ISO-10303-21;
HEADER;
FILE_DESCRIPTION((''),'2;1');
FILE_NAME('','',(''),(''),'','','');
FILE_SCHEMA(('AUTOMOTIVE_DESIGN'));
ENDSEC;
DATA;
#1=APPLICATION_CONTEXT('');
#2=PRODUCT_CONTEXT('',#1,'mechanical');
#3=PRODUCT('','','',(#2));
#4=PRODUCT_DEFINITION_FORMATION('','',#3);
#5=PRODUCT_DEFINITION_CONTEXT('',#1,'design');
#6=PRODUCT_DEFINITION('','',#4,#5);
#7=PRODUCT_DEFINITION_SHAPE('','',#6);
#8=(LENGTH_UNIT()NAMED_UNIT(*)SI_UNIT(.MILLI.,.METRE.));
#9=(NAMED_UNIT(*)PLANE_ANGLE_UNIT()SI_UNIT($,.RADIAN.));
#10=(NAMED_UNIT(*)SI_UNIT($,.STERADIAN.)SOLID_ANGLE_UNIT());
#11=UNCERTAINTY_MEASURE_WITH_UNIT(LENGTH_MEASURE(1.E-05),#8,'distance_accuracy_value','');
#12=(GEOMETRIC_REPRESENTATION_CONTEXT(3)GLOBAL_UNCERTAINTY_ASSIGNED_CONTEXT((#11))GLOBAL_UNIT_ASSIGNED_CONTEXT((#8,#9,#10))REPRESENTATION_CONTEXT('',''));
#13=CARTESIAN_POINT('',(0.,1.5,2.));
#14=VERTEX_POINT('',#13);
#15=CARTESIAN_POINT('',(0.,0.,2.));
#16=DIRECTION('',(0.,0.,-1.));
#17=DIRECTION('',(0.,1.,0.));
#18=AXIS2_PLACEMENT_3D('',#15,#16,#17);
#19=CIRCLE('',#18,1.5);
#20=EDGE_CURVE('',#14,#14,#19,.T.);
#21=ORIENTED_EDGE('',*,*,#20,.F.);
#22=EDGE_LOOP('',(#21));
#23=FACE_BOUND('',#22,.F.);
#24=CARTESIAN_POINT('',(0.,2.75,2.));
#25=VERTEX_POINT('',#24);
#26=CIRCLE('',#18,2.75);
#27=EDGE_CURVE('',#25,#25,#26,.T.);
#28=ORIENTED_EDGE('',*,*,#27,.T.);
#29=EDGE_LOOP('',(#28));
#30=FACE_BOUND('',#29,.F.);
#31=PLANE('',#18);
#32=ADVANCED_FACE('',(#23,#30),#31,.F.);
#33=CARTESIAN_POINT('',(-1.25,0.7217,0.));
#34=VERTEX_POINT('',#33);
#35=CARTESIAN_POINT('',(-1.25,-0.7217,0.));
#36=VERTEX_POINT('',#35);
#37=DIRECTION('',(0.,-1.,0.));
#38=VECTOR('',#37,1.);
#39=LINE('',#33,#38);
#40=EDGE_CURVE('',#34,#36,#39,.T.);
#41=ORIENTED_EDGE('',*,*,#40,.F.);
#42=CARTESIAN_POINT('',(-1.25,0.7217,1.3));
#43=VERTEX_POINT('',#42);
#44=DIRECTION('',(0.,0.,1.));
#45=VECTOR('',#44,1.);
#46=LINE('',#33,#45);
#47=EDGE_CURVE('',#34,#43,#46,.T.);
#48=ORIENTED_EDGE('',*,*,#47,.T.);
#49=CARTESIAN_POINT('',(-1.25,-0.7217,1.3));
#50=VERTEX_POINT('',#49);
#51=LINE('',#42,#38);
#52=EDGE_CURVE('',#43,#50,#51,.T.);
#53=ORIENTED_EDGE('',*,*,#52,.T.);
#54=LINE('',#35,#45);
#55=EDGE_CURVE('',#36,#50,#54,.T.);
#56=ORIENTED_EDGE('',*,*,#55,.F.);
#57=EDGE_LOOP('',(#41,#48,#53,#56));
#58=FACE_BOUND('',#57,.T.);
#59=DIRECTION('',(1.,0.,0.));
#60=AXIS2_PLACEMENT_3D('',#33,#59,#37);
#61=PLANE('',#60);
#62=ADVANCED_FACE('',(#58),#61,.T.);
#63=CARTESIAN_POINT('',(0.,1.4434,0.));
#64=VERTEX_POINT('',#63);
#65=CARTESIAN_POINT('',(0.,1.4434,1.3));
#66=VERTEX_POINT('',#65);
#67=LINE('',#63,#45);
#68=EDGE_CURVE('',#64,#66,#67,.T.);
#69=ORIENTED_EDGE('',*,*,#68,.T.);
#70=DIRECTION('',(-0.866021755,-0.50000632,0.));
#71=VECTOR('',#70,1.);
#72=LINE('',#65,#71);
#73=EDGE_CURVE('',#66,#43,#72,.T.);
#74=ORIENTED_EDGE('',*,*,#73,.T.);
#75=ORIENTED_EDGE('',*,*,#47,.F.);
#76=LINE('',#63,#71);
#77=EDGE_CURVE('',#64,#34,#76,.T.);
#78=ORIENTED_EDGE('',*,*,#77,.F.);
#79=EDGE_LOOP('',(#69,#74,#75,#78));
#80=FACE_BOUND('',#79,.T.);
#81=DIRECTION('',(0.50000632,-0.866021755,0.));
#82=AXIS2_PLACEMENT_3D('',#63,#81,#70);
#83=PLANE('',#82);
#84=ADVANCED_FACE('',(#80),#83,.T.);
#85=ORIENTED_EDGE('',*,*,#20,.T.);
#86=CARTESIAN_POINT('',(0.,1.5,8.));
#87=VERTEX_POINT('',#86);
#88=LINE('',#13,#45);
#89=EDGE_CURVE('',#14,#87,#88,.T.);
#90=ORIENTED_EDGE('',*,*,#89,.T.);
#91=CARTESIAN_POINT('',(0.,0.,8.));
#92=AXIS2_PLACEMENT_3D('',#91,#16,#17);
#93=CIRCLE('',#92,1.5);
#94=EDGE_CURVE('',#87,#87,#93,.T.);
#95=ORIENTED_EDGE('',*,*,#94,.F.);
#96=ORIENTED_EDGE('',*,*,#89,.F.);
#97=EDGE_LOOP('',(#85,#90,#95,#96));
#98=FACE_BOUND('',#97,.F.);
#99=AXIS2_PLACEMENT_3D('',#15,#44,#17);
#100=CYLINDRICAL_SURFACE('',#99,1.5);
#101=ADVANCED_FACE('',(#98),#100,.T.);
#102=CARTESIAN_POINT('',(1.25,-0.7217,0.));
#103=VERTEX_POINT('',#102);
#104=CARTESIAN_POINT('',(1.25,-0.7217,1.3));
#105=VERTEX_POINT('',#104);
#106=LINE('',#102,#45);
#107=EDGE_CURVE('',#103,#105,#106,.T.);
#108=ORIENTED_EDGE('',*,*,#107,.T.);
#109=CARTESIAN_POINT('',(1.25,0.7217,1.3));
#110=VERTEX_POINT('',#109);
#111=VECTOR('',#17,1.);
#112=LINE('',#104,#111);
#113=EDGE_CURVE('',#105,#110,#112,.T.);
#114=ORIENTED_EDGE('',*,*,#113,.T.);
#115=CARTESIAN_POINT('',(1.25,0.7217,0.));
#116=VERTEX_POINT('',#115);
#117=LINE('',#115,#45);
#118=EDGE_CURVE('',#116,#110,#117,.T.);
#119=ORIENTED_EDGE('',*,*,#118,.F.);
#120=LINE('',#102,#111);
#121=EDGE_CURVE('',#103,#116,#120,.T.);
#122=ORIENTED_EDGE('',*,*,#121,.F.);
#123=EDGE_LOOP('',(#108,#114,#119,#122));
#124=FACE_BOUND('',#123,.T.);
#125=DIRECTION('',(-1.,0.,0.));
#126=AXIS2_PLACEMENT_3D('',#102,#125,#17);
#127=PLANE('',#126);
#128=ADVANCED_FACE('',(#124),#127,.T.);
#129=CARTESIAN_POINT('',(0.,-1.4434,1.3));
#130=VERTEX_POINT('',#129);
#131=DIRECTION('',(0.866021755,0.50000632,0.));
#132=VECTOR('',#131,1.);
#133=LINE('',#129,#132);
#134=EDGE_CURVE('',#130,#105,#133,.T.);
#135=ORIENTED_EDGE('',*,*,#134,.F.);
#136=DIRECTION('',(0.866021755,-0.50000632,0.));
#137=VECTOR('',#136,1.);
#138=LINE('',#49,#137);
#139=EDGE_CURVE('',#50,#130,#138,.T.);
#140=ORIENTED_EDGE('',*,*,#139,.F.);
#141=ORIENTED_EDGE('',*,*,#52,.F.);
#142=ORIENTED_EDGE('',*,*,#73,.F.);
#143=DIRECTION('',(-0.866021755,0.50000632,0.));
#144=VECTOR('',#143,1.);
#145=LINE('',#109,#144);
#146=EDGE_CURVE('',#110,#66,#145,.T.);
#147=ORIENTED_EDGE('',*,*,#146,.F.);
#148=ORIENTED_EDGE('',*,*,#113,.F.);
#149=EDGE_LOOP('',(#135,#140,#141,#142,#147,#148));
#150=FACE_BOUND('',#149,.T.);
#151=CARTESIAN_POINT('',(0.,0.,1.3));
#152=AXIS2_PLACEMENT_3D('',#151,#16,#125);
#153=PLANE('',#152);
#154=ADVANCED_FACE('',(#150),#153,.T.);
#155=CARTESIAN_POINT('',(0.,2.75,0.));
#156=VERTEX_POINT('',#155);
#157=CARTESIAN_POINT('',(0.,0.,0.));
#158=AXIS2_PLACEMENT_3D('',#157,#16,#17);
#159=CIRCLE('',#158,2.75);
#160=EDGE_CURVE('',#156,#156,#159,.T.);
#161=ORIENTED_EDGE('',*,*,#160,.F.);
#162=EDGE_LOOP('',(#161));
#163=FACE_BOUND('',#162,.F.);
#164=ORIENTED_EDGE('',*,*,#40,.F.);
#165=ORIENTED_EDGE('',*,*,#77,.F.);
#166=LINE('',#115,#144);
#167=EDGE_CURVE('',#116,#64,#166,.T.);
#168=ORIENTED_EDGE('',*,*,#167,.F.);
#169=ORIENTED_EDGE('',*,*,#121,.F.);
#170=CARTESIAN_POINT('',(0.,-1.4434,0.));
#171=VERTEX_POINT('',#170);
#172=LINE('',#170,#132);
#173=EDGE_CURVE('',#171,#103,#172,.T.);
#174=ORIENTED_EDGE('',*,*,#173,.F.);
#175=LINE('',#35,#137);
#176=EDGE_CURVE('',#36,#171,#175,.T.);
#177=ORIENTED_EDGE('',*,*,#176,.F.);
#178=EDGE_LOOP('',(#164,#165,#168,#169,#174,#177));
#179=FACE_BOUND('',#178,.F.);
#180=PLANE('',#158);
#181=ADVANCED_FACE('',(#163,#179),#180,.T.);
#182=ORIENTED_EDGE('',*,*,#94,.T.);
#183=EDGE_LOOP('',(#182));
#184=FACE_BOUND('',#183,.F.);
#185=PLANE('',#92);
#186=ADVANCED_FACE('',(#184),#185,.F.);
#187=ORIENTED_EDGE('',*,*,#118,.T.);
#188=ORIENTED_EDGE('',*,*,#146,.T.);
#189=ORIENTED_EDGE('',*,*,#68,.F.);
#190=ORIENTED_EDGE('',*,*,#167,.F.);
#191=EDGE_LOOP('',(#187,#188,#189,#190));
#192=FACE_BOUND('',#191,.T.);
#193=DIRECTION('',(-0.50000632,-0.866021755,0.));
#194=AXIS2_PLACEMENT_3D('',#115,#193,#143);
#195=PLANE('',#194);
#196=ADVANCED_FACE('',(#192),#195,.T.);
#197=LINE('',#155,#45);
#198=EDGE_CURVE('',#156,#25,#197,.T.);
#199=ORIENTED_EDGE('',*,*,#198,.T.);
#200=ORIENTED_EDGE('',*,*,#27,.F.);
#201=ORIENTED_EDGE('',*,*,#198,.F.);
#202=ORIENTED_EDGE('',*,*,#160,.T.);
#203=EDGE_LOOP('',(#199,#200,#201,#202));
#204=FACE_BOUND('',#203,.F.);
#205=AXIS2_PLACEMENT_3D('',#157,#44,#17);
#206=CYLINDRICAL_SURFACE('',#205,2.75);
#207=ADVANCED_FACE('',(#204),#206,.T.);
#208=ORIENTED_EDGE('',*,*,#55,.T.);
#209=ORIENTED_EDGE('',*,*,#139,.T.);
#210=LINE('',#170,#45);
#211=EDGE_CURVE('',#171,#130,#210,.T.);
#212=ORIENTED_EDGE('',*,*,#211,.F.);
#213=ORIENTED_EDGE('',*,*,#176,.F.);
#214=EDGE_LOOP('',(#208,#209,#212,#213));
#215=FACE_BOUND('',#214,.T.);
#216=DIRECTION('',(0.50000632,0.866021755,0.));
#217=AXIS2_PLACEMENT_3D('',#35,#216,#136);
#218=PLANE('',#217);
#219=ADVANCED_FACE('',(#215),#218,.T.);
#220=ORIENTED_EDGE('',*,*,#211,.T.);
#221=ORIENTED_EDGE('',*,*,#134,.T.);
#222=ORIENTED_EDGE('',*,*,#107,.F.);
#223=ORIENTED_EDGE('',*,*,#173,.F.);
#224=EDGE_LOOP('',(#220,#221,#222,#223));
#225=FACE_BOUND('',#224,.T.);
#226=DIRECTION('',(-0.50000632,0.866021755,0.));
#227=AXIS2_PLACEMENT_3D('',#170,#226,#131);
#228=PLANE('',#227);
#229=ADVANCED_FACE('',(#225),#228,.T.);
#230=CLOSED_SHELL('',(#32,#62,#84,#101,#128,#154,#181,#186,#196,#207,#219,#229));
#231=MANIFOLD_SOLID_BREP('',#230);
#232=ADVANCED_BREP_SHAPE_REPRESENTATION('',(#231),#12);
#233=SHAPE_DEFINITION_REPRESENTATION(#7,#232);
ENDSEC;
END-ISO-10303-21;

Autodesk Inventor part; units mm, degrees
ref_plane "YZ Plane" through (0, 0, 0) normal (1, 0, 0) x (0, 1, 0)
ref_plane "XZ Plane" through (0, 0, 0) normal (0, 1, 0) x (-1, 0, 0)
ref_plane "XY Plane" through (0, 0, 0) normal (0, 0, 1) x (1, 0, 0)
sketch "スケッチ1" plane through (0, 0, 0) normal (1, 0, 0) x (0, 1, 0)
  line L0 (0, 8) -> (0, 0)
  line L1 (0, 0) -> (2.75, 0)
  line L2 (2.75, 0) -> (2.75, 2)
  line L3 (2.75, 2) -> (1.5, 2)
  line L4 (1.5, 2) -> (1.5, 8)
  line L5 (1.5, 8) -> (0, 8)
  dimension "d2" = 2
  dimension "d10" = 6
  dimension "d11" = 3
  dimension "d12" = 5.5
revolve "回転1" add sketch "スケッチ1" angle 360 about axis through (0, 0, 8) along (0, 0, -1)
thread "ねじ1" size "M3x0.5" class "6g" standard "ANSI Metric M Profile" full length
sketch "スケッチ2" plane through (0, 0, 0) normal (0, 0, -1) x (-1, 0, 0)
  line L0 (0, 1.4434) -> (1.25, 0.7217)
  line L1 (1.25, 0.7217) -> (1.25, -0.7217)
  line L2 (1.25, -0.7217) -> (0, -1.4434)
  line L3 (0, -1.4434) -> (-1.25, -0.7217)
  line L4 (-1.25, -0.7217) -> (-1.25, 0.7217)
  line L5 (-1.25, 0.7217) -> (0, 1.4434)
  circle A0 centre (0, 0) radius 2.75 projected
  line L6 (0, 2.75) -> (0, -2.75) construction
  point P0 (0, 0)
  dimension "d7" = 2.5
extrude "押し出し1" cut sketch "スケッチ2" against normal blind 1.3 contours L0 L1 L2 L3 L4 L5
properties part number "LowHead_M3-6" material "ステンレス鋼 AISI 304"
